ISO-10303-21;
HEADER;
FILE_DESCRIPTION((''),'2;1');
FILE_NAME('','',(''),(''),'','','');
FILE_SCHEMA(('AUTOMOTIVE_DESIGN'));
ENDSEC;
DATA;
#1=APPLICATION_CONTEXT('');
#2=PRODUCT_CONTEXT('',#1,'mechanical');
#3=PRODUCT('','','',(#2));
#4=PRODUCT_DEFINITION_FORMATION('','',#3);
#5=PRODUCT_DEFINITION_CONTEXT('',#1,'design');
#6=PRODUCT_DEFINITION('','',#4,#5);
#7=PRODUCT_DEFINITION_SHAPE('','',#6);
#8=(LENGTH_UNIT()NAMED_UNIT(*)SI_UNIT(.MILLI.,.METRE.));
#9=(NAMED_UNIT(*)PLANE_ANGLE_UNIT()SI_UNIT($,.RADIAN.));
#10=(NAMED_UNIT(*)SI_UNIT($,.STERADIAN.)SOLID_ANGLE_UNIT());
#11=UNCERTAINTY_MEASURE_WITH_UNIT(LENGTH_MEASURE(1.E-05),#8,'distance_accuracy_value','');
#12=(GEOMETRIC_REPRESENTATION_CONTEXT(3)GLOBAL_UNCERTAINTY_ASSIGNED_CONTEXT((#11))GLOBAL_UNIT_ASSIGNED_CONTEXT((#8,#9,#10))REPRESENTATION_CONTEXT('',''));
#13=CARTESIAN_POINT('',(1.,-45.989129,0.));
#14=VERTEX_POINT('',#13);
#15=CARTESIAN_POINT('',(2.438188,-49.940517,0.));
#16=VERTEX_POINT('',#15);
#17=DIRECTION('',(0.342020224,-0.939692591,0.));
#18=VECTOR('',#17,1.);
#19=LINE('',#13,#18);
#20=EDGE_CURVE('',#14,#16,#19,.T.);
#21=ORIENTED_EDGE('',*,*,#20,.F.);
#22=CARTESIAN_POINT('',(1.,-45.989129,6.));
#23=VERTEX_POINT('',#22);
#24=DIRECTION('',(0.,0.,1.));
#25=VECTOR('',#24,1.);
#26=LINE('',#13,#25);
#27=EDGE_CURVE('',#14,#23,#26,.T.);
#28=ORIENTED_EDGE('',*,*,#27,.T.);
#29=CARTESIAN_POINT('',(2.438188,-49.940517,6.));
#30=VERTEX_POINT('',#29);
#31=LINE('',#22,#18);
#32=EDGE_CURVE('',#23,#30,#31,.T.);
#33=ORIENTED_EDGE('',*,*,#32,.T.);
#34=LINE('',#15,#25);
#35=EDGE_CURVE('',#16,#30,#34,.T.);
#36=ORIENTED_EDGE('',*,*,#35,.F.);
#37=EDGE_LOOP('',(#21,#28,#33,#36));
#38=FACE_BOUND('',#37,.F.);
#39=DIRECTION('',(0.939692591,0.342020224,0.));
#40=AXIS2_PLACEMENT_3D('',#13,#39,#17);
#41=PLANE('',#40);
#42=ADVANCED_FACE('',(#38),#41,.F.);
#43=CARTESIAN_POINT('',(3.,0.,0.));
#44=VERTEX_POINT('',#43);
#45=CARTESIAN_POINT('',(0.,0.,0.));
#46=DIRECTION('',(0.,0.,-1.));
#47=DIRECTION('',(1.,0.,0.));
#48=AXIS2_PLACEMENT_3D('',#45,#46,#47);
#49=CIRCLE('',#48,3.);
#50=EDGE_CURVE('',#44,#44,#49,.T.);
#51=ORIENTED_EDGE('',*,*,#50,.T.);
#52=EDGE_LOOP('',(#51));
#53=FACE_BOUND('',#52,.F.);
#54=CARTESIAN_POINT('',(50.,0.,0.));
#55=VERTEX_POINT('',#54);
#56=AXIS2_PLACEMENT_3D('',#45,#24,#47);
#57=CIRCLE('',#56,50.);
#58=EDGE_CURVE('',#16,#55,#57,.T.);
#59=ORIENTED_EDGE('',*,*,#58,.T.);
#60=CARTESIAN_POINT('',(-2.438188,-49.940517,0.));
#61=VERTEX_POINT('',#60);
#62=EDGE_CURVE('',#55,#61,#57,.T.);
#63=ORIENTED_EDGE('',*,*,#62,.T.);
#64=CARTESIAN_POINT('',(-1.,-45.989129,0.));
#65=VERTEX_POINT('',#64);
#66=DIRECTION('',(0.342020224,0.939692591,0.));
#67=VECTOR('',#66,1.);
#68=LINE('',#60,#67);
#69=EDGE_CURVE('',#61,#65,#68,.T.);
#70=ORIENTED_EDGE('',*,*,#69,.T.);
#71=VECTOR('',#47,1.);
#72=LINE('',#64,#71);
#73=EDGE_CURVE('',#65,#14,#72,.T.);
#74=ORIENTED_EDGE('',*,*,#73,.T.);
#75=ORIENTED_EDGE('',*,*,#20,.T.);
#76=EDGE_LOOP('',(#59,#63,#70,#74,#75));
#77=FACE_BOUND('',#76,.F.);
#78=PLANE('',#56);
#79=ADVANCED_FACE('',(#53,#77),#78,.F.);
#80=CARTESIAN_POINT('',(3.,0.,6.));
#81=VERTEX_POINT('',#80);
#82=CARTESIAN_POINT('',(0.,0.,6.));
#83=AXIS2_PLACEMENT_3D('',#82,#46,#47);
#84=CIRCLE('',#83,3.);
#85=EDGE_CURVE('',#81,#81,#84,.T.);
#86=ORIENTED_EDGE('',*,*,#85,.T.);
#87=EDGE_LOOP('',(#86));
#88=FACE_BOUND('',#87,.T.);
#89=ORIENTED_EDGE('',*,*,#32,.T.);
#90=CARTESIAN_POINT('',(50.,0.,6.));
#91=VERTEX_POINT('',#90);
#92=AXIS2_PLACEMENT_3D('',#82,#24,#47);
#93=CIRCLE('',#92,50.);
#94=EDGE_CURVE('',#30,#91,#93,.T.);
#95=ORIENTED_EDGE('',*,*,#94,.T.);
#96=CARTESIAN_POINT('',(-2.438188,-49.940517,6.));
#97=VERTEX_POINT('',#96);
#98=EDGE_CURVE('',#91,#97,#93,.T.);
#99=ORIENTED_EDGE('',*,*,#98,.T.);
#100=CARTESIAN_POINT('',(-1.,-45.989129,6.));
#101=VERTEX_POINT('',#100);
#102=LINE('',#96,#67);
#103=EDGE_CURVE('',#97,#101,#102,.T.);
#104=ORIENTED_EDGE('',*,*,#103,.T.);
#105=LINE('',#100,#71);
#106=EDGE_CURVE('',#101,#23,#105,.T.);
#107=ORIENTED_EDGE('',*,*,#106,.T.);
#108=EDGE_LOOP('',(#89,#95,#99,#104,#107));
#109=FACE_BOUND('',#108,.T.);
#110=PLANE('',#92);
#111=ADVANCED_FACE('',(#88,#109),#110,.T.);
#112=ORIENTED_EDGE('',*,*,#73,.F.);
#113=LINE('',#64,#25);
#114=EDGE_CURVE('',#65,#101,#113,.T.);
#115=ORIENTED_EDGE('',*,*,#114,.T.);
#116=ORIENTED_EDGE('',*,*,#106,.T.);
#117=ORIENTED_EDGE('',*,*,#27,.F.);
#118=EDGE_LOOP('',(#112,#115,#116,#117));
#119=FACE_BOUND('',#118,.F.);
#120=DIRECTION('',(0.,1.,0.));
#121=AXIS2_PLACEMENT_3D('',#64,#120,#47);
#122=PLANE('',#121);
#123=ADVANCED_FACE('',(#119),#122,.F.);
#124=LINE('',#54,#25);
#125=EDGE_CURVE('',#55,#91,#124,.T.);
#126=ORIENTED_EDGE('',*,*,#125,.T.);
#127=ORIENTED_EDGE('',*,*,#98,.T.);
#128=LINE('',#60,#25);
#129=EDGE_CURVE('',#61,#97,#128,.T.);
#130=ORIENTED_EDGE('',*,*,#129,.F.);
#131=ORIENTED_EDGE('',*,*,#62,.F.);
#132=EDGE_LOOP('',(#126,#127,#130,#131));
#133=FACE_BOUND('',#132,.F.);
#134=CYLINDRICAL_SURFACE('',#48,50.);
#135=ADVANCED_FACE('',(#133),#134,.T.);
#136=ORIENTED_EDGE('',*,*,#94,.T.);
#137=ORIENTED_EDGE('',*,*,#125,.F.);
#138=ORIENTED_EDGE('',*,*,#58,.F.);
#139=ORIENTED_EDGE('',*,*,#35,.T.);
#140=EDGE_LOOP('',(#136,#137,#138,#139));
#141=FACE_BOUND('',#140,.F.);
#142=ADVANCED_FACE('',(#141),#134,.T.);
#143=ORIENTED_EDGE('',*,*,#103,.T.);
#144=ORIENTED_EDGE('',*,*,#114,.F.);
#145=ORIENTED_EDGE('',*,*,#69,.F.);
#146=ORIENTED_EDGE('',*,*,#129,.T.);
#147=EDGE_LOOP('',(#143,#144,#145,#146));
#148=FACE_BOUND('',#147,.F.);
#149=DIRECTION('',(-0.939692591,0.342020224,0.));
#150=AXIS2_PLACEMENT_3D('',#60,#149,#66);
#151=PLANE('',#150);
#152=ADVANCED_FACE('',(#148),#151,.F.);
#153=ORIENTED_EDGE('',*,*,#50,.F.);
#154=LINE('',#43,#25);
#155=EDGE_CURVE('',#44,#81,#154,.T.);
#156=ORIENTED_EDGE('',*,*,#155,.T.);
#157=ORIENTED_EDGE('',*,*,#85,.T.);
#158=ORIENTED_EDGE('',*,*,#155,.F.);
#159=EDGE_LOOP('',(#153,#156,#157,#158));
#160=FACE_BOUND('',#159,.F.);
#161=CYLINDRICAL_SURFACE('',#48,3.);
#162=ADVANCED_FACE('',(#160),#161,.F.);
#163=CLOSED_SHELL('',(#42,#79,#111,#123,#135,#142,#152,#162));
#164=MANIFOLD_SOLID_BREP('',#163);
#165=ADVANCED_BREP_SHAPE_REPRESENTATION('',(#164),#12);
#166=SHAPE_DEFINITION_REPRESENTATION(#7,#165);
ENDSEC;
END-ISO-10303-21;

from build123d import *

# Parameters (mm, degrees)
F0_R     = 50
F1_DEPTH = 6
F2_R     = 3
F3_DEPTH = 6
F5_DEPTH = 6


with BuildPart() as f1:
    # F0 (on Top) → F1 (new body)
    with BuildSketch(Plane.XY):
        Circle(F0_R)
    extrude(amount=F1_DEPTH)

    # F2 (on face) → F3 (cut, through all)
    with BuildSketch(Plane(origin=(0, 0, 0), x_dir=(1, 0, 0), z_dir=(0, 0, -1))):
        Circle(F2_R)
    extrude(amount=-F3_DEPTH, mode=Mode.SUBTRACT)

    # F4 (on face) → F5 (cut, through all)
    with BuildSketch(Plane(origin=(0, 0, 0), x_dir=(1, 0, 0), z_dir=(0, 0, -1))):
        with BuildLine():
            Line((-1, 45.989129), (1, 45.989129))
            Line((1, 45.989129), (2.438188, 49.940517))
            ThreePointArc((2.438188, 49.940517), (0, 50.729887), (-2.438188, 49.940517))
            Line((-2.438188, 49.940517), (-1, 45.989129))
        make_face()
    extrude(amount=-F5_DEPTH, mode=Mode.SUBTRACT)


solid = f1.part
